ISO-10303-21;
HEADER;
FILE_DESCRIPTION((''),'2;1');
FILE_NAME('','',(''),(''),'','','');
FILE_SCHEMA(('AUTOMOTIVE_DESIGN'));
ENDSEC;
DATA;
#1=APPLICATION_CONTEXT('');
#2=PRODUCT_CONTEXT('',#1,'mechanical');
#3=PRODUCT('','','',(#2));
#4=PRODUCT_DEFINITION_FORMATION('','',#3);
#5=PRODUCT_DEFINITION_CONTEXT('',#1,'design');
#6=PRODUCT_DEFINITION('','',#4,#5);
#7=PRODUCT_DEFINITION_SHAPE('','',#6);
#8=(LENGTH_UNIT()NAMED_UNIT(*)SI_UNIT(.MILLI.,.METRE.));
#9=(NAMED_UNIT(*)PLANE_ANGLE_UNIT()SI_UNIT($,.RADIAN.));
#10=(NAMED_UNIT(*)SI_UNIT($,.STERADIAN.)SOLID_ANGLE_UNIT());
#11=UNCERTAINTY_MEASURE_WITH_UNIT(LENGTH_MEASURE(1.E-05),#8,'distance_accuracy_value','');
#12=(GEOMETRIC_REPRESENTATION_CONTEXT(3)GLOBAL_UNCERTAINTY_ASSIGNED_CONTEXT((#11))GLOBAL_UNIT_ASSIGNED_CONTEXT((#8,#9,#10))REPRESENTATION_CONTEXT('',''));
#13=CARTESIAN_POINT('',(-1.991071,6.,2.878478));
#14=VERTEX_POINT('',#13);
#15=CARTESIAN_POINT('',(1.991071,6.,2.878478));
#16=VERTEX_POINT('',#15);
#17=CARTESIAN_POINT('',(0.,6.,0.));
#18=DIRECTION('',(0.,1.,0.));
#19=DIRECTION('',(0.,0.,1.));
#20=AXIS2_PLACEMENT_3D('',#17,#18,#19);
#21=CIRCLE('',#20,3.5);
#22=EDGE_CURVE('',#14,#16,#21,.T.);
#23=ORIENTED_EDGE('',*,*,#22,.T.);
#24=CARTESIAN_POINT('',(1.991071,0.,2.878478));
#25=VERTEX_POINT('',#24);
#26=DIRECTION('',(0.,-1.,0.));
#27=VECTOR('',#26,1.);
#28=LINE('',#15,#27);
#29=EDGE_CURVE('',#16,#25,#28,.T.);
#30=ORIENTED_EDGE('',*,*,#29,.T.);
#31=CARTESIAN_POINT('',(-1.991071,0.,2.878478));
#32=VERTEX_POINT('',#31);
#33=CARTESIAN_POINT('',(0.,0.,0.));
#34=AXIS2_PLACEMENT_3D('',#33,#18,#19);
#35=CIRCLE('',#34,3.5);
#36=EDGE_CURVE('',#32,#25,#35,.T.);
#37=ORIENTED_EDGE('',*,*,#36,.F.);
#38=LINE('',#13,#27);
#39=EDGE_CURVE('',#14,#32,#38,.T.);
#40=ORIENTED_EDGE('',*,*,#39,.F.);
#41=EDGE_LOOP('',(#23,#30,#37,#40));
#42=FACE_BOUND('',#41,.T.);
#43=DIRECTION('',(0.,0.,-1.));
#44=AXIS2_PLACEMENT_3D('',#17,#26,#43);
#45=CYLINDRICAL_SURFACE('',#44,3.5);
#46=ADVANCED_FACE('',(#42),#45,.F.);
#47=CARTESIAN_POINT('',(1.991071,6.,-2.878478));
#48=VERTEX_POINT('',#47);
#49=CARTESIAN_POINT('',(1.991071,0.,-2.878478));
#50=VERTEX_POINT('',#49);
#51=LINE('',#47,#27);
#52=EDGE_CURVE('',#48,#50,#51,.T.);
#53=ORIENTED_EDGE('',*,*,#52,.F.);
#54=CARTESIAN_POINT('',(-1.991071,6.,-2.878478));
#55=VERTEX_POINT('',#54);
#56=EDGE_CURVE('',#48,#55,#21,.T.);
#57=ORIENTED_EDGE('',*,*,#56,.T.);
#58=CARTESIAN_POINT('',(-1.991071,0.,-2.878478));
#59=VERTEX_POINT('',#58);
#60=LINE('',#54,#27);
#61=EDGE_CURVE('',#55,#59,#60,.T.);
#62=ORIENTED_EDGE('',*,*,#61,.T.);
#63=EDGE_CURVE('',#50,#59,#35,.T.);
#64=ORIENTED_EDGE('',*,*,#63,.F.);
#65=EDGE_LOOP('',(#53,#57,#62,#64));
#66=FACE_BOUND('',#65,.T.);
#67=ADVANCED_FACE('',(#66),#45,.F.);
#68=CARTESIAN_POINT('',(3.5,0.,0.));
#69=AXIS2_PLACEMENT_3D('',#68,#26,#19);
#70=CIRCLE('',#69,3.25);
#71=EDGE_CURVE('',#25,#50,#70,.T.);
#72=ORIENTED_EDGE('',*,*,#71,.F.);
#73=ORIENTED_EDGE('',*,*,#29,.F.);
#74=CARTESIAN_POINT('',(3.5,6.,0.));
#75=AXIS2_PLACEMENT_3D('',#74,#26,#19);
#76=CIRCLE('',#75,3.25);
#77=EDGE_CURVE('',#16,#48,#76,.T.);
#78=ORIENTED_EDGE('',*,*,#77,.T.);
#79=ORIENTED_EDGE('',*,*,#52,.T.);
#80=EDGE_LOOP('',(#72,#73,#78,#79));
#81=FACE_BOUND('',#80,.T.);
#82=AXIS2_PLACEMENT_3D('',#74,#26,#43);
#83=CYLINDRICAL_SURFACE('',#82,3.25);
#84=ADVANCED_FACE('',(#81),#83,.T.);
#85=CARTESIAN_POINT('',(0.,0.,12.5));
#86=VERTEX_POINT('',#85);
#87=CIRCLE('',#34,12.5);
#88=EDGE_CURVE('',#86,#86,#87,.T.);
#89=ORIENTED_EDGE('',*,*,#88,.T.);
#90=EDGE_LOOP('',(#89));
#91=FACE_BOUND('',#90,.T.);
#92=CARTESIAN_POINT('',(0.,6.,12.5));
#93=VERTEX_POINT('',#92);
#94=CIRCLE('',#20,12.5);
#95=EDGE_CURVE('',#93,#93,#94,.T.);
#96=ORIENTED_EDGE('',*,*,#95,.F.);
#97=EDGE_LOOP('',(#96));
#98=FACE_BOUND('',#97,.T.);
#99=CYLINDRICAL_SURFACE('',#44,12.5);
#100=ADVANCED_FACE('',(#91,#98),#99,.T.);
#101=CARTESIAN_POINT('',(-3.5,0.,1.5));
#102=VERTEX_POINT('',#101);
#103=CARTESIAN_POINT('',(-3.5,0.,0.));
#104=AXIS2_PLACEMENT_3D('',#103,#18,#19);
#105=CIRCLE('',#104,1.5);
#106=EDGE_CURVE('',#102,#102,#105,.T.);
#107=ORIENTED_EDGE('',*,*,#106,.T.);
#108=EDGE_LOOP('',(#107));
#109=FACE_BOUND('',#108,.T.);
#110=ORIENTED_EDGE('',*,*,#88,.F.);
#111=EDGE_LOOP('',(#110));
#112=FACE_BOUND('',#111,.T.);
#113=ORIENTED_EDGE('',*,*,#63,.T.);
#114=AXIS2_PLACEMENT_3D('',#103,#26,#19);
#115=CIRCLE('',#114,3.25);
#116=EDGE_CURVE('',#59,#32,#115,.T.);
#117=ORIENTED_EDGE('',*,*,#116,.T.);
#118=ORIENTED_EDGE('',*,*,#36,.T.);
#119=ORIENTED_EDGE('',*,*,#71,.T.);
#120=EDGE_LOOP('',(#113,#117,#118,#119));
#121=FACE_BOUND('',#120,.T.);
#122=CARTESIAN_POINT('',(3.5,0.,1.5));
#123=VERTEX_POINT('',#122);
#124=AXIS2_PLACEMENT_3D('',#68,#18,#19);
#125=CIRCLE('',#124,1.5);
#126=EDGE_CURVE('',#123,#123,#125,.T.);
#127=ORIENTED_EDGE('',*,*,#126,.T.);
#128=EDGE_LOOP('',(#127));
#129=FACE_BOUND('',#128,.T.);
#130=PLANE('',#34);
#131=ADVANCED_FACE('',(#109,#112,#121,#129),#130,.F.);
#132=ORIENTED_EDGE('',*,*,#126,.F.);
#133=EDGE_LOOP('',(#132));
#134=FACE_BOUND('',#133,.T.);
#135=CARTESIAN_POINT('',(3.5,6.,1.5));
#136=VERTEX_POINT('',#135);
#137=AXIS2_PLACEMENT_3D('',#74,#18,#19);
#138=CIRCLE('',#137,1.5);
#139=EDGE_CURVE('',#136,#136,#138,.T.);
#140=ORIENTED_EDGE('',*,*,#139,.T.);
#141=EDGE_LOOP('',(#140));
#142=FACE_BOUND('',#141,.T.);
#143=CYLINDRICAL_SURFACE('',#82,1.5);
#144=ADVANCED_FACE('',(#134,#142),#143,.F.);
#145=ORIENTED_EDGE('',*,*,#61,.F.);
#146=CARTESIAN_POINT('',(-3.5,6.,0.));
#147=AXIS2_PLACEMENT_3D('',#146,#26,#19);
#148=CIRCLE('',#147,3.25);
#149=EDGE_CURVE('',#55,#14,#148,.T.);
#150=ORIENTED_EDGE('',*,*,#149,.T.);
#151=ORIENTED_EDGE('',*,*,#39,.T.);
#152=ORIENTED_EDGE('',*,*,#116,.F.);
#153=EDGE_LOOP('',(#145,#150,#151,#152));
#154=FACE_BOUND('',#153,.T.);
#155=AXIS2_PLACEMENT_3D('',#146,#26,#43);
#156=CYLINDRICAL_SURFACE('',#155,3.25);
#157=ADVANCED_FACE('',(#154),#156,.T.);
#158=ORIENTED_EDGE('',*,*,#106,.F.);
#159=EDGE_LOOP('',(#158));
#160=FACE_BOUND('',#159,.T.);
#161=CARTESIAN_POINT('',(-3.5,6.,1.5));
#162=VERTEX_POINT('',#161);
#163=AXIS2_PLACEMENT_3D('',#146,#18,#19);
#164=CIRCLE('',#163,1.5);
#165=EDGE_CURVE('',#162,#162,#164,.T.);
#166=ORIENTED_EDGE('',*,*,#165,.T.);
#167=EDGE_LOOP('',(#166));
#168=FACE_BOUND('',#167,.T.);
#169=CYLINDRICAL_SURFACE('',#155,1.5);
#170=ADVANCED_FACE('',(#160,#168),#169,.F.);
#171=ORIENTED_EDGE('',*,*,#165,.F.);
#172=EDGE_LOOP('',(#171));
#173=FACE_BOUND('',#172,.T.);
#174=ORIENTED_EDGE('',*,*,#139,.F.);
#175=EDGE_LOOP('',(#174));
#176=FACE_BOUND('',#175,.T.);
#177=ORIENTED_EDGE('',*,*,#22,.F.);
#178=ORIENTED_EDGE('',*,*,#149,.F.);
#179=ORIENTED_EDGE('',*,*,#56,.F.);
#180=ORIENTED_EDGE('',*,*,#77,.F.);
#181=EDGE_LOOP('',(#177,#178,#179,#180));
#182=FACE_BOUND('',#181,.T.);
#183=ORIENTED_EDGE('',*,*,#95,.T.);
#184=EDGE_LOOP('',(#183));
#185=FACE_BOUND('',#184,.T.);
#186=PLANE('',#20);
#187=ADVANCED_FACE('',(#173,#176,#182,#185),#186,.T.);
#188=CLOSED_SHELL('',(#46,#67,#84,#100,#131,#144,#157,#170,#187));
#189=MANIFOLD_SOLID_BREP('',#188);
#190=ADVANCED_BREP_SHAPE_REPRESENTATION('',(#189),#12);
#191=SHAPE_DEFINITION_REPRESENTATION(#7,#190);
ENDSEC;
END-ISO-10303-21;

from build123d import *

# Parameters (mm, degrees)
ESQUISSE1_R        = 12.5
ESQUISSE1_R_2      = 1.5
BOSS_EXTRU_1_DEPTH = 6


with BuildPart() as part:
    # Esquisse1 → Boss.-Extru.1 (new body)
    with BuildSketch(Plane(origin=(0, 0, 0), x_dir=(1, 0, 0), z_dir=(0, 1, 0))):
        Circle(ESQUISSE1_R)
        with Locations((-3.5, 0)):
            Circle(ESQUISSE1_R_2, mode=Mode.SUBTRACT)
        with Locations((3.5, 0)):
            Circle(ESQUISSE1_R_2, mode=Mode.SUBTRACT)
        with BuildLine():
            ThreePointArc((1.991071429, 2.878477821), (0.25, 0), (1.991071429, -2.878477821))
            ThreePointArc((1.991071429, -2.878477821), (0, -3.5), (-1.991071429, -2.878477821))
            ThreePointArc((-1.991071429, -2.878477821), (-0.25, 0), (-1.991071429, 2.878477821))
            ThreePointArc((-1.991071429, 2.878477821), (0, 3.5), (1.991071429, 2.878477821))
        make_face(mode=Mode.SUBTRACT)
    extrude(amount=BOSS_EXTRU_1_DEPTH)


solid = part.part
